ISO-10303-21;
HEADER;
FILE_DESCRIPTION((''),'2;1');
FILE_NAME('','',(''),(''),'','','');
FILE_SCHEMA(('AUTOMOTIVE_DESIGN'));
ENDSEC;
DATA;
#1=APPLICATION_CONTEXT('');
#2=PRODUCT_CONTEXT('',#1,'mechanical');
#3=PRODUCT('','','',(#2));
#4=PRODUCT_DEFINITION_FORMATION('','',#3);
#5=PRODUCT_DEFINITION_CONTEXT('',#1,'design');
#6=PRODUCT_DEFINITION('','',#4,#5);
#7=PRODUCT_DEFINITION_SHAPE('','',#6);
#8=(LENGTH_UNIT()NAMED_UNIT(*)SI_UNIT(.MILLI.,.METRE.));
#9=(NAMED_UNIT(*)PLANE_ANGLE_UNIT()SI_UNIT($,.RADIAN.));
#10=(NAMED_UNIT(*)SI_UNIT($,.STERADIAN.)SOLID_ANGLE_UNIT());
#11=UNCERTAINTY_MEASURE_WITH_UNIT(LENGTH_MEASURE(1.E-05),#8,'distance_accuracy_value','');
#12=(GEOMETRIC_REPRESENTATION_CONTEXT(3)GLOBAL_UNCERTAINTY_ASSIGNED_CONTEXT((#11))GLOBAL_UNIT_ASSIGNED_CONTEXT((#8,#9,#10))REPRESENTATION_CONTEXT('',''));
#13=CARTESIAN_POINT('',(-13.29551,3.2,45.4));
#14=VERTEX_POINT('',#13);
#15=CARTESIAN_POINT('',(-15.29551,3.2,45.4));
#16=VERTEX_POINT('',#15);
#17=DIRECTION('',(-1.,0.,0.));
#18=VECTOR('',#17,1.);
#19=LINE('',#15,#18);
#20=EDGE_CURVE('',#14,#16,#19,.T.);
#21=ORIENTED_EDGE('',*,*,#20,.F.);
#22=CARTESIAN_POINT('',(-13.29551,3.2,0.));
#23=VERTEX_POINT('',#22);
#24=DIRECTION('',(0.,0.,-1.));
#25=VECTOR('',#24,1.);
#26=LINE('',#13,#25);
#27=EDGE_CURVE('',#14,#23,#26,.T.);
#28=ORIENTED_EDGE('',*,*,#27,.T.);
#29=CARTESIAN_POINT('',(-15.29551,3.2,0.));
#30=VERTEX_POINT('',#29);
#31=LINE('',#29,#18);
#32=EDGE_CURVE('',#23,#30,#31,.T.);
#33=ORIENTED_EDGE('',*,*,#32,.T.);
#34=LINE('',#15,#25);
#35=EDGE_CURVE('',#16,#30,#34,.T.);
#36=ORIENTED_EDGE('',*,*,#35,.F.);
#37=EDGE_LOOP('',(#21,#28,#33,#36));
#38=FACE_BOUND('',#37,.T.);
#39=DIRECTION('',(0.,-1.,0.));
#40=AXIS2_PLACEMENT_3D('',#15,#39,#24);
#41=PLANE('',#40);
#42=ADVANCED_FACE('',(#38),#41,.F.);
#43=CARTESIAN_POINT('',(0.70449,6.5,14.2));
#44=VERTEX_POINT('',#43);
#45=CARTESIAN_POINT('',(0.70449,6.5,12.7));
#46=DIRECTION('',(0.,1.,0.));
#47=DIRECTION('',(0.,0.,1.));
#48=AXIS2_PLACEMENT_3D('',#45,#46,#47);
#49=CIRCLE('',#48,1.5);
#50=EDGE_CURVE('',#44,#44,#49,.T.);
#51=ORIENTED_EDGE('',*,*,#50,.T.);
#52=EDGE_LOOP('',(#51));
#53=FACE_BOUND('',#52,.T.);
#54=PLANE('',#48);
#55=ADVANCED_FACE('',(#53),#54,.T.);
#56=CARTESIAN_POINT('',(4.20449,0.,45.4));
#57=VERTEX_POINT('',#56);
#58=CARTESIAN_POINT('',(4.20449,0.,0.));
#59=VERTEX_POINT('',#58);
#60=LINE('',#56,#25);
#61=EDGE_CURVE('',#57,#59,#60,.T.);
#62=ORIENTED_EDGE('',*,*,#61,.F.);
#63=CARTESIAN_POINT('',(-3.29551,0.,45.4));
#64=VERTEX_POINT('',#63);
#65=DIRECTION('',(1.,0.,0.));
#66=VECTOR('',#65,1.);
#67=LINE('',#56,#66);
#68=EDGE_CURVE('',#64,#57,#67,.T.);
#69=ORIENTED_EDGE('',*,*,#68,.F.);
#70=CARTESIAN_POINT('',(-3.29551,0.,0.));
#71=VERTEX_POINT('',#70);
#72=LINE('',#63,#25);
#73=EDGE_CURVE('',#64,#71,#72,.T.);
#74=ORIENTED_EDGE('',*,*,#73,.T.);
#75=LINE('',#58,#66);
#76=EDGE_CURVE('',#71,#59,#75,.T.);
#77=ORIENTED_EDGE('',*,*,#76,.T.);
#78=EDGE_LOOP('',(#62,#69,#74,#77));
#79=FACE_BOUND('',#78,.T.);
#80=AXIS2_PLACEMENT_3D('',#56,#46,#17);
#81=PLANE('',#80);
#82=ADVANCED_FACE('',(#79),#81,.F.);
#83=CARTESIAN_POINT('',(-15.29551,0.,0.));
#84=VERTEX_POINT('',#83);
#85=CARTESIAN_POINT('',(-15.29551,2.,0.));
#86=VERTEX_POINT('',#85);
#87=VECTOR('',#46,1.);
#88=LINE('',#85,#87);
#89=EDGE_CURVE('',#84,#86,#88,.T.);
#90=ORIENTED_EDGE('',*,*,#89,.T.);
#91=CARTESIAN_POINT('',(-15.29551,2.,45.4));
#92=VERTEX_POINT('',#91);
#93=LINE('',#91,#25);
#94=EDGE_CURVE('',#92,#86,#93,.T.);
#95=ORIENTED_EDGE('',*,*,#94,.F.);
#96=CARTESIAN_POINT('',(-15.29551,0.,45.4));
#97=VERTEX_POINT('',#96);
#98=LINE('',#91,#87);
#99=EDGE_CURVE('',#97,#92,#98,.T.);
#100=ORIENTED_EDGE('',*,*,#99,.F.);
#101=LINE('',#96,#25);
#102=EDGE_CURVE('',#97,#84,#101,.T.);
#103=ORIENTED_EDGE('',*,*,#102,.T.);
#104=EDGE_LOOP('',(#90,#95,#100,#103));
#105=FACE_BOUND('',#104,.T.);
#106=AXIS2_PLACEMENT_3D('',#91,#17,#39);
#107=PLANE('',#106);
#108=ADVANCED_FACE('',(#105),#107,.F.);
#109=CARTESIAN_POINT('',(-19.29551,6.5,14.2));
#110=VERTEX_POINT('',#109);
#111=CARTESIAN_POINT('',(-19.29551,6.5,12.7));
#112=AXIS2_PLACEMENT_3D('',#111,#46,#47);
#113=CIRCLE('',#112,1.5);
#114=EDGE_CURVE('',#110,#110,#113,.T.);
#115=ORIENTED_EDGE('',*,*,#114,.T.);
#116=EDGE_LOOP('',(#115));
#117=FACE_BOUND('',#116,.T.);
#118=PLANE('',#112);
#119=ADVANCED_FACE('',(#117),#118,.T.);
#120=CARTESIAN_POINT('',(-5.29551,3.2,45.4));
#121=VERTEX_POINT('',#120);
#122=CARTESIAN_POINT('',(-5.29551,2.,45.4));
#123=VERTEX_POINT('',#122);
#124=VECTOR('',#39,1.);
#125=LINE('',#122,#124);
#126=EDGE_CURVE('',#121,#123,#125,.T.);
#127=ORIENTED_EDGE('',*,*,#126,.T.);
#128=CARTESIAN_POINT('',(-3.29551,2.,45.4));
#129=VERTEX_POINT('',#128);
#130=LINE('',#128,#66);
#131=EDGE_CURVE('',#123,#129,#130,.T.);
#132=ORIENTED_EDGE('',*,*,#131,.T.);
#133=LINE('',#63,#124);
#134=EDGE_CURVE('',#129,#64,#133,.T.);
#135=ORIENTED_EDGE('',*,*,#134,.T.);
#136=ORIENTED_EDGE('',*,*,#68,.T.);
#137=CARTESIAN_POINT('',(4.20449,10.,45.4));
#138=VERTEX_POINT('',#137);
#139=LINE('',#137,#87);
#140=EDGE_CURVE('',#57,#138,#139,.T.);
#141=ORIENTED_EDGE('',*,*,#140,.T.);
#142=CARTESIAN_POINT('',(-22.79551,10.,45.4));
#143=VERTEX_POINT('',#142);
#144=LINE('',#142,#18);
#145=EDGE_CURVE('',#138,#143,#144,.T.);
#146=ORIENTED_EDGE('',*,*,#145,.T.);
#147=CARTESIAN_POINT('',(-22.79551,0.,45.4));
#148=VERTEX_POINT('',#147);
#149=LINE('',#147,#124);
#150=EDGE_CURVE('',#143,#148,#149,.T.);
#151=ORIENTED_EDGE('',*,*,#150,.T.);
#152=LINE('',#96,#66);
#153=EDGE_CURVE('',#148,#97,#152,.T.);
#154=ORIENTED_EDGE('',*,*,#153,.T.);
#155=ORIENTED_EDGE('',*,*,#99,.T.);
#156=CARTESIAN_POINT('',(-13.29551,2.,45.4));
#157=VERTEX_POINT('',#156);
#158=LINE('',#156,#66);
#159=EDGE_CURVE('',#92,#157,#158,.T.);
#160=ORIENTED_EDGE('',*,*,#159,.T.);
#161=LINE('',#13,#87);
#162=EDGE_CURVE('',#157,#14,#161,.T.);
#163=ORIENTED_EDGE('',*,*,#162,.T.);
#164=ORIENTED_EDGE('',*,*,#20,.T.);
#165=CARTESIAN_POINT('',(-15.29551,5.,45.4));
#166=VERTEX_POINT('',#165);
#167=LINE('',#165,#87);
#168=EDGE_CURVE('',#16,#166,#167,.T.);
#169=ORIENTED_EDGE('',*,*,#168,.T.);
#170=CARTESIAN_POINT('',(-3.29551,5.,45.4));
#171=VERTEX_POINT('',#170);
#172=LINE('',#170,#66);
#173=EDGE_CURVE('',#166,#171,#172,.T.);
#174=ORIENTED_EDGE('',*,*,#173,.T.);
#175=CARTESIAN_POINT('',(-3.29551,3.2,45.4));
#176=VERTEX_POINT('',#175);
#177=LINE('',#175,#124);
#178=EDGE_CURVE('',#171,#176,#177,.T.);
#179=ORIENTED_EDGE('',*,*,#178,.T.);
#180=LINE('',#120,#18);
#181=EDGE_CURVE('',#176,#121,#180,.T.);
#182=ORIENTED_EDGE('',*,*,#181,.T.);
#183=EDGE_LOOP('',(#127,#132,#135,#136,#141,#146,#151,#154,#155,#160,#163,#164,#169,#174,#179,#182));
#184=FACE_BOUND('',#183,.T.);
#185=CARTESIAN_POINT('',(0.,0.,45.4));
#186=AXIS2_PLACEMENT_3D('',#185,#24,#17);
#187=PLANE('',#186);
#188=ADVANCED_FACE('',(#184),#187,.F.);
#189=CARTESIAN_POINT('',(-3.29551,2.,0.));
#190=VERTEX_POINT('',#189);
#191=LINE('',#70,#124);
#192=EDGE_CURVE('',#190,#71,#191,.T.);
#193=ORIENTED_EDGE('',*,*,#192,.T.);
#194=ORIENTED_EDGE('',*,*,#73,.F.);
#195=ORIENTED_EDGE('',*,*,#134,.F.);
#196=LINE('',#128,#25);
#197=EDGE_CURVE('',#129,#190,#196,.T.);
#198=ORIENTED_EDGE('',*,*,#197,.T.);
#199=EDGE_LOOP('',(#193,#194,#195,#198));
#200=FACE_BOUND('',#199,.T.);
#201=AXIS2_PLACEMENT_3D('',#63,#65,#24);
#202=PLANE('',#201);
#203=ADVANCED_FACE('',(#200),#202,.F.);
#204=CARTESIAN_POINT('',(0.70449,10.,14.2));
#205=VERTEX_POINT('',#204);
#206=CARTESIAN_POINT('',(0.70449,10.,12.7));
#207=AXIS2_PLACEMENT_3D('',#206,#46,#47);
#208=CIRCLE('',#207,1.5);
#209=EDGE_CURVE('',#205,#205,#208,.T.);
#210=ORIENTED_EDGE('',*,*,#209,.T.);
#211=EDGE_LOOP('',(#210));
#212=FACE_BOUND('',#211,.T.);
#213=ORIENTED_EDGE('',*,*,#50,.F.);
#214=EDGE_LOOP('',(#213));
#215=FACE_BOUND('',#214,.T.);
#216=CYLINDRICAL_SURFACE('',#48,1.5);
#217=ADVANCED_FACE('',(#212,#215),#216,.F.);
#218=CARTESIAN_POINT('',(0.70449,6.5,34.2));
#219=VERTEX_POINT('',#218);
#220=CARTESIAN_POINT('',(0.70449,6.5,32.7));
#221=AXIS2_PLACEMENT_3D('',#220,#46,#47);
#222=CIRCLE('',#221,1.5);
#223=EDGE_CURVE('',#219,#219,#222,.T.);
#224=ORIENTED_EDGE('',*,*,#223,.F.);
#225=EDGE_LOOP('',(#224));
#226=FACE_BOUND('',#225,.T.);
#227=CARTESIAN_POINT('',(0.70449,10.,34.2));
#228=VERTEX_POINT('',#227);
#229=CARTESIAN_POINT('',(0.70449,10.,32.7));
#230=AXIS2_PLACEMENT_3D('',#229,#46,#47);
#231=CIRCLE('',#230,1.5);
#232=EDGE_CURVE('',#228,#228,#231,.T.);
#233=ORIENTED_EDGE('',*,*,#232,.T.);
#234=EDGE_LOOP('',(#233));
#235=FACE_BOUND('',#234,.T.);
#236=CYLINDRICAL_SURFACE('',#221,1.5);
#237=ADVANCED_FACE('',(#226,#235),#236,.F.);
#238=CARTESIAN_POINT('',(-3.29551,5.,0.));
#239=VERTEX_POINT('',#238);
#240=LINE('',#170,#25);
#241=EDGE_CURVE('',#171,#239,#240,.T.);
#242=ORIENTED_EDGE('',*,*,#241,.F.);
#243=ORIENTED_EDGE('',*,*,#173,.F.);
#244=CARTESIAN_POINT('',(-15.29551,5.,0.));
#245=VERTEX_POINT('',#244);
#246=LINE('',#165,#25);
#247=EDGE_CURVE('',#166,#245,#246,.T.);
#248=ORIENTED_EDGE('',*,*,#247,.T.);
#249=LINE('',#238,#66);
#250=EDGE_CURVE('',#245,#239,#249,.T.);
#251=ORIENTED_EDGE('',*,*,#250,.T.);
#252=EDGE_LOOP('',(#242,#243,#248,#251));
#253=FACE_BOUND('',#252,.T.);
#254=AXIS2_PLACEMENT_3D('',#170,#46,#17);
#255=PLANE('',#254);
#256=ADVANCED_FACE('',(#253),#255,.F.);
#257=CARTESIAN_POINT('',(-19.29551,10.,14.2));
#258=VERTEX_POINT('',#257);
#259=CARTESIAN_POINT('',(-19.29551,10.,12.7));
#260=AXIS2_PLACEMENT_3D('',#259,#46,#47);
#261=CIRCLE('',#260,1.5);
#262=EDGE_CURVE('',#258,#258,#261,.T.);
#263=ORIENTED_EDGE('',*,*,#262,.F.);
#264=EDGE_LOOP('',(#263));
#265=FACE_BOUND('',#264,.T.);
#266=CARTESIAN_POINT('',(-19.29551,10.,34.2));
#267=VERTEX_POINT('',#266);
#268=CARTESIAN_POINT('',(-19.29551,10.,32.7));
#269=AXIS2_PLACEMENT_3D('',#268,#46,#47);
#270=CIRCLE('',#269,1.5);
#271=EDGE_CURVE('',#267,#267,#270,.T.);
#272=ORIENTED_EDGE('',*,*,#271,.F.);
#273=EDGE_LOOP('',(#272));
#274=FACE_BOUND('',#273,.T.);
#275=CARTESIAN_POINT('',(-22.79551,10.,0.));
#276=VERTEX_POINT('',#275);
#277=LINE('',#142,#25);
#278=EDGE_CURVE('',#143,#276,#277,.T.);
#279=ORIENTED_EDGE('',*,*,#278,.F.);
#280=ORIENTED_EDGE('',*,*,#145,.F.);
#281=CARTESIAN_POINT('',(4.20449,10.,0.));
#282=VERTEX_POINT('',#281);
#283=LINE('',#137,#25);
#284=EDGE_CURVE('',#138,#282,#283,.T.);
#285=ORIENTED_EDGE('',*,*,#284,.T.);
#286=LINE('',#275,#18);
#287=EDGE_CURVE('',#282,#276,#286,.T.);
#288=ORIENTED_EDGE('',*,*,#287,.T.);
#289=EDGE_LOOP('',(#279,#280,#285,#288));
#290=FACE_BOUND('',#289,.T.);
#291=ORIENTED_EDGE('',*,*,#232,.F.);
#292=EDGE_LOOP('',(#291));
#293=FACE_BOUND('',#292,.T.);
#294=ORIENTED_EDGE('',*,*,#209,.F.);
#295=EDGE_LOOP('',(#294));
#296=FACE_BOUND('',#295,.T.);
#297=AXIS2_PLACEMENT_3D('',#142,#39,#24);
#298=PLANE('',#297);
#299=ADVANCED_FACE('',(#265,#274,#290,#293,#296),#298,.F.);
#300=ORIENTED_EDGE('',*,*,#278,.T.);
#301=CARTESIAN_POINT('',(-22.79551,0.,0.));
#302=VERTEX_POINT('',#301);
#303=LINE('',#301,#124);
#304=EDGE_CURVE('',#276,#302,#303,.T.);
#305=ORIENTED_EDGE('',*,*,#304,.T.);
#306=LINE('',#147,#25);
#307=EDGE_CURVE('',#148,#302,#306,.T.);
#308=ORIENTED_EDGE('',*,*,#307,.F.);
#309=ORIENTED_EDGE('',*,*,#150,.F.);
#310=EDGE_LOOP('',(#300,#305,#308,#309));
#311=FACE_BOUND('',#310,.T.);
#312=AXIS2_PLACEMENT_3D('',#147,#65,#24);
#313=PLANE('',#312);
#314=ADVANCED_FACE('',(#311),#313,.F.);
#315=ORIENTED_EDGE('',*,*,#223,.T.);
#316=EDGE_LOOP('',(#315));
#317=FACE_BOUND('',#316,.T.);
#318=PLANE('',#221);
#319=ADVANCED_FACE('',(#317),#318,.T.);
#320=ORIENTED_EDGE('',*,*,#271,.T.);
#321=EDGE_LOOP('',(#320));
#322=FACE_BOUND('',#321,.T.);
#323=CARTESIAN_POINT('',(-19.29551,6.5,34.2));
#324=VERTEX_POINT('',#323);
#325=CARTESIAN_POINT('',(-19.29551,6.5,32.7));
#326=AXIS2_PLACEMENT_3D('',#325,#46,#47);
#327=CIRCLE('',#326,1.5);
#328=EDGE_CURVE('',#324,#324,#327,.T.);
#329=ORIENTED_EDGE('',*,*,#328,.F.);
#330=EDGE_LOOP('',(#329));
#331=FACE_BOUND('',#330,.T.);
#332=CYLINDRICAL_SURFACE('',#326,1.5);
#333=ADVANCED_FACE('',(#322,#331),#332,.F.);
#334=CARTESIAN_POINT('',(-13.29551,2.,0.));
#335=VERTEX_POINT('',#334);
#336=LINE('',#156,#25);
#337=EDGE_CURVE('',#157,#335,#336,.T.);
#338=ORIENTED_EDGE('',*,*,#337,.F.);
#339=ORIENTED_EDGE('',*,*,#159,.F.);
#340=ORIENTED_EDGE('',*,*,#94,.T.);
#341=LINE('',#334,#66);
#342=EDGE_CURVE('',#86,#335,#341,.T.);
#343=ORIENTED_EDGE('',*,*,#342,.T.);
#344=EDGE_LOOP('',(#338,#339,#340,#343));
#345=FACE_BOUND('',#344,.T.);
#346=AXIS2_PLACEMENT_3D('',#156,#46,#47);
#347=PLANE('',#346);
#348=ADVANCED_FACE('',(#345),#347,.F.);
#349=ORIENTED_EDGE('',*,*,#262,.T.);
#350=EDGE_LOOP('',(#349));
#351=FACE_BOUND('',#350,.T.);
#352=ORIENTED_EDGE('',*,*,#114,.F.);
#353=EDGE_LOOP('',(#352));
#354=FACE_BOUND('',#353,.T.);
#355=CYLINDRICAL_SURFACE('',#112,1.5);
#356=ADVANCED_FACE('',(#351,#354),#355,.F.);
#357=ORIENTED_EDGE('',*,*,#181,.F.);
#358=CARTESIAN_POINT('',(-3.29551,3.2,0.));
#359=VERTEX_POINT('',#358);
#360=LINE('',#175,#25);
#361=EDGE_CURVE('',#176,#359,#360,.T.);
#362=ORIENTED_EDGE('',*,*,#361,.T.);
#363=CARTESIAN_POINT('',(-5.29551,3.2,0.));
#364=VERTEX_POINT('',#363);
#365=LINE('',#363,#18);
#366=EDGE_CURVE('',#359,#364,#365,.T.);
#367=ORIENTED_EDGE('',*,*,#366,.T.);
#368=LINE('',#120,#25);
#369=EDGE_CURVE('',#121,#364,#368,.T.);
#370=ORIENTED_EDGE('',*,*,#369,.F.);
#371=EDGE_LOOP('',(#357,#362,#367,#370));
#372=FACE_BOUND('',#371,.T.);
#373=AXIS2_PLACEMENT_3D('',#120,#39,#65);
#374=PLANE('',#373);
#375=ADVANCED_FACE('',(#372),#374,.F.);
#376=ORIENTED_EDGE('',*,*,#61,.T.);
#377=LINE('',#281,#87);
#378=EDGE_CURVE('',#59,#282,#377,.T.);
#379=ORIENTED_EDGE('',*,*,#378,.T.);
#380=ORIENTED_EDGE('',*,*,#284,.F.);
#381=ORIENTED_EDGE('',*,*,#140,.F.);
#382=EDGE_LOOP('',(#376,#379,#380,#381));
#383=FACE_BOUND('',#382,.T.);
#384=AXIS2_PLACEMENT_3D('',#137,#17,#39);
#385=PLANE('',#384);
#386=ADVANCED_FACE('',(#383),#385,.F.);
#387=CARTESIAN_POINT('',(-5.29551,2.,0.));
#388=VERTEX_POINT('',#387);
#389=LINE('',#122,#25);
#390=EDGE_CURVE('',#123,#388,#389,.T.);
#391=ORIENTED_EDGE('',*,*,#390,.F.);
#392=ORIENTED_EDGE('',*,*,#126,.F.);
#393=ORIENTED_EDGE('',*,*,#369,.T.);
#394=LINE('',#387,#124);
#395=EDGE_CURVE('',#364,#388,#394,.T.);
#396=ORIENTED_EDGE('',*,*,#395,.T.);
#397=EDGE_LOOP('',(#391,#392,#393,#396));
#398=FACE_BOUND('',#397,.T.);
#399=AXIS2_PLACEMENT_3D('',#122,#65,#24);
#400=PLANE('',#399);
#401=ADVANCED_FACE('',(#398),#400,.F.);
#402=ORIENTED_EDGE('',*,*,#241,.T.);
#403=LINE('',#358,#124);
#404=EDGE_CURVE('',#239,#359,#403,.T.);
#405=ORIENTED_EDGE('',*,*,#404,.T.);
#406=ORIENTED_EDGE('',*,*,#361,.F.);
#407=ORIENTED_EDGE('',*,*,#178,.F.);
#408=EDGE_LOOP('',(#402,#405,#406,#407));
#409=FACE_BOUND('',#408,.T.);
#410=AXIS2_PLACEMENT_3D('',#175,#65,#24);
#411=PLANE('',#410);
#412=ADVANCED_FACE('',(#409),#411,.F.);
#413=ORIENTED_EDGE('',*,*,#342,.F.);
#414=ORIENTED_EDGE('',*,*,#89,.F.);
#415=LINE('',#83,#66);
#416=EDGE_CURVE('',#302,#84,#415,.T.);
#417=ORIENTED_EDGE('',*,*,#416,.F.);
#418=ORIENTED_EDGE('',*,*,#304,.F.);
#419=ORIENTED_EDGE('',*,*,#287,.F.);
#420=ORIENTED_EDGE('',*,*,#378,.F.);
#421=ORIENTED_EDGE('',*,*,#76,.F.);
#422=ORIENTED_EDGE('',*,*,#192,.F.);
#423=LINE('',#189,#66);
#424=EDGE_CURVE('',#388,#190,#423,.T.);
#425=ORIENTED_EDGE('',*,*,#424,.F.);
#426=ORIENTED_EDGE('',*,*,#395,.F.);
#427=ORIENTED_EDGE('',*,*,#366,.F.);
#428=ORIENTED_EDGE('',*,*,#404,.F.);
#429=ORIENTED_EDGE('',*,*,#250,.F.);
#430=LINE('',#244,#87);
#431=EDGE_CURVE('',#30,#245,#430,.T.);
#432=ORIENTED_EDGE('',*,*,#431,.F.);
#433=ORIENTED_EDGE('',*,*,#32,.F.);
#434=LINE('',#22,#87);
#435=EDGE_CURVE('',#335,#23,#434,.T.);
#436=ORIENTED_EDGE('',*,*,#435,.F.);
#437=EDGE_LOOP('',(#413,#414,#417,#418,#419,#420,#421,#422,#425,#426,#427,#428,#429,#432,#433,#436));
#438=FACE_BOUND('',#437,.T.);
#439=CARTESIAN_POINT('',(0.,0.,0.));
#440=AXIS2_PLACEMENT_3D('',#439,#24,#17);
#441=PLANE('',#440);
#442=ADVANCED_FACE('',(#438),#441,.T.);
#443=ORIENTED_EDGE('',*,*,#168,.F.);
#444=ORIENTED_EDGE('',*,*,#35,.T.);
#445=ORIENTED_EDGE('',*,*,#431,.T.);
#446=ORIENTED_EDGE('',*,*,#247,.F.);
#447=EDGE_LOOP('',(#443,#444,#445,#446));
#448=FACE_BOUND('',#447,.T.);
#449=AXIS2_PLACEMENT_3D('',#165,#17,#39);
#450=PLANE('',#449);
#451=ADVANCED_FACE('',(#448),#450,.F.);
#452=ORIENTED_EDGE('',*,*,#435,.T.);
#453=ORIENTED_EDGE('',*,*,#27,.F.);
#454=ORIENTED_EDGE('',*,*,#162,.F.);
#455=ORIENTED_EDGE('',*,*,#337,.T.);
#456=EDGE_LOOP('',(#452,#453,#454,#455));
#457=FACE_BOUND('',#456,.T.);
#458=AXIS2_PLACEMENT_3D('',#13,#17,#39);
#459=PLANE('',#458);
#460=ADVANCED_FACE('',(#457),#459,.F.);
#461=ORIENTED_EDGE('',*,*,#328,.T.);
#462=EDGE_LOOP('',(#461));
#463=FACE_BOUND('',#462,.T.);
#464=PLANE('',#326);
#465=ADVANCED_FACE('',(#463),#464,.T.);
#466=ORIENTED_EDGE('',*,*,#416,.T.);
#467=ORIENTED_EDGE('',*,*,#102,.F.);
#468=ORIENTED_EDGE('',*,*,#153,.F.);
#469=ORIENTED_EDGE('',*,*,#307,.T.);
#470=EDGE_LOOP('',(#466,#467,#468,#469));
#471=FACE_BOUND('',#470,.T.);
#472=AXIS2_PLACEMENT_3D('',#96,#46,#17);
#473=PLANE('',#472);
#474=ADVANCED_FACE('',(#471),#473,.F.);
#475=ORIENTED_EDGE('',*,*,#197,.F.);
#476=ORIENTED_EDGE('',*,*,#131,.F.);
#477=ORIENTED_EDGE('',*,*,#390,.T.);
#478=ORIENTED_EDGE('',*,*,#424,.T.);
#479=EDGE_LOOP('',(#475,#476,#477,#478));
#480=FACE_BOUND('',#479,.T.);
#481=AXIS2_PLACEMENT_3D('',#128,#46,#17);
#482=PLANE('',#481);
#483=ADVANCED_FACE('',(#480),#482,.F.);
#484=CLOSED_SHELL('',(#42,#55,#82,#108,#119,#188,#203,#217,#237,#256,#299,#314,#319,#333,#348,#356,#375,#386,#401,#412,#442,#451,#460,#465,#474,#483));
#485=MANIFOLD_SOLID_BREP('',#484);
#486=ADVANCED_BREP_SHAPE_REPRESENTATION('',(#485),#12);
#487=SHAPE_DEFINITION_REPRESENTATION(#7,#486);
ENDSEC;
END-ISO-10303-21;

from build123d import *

# Parameters (mm, degrees)
BOSS_EXTRU_1_DEPTH      = 45.4
ESQUISSE2_R             = 1.5
ENL_V_MAT_EXTRU_1_DEPTH = 3.5


with BuildPart() as part:
    # Esquisse1 → Boss.-Extru.1 (new body)
    with BuildSketch(Plane.XY):
        Polygon((-22.795509579, 10), (4.204490421, 10), (4.204490421, 0), (-3.295509579, 0), (-3.295509579, 2), (-5.295509579, 2), (-5.295509579, 3.2), (-3.295509579, 3.2), (-3.295509579, 5), (-15.295509579, 5), (-15.295509579, 3.2), (-13.295509579, 3.2), (-13.295509579, 2), (-15.295509579, 2), (-15.295509579, 0), (-22.795509579, 0), align=None)
    extrude(amount=BOSS_EXTRU_1_DEPTH)

    # Esquisse2 → Enlèv. mat.-Extru.1 (cut)
    with BuildSketch(Plane(origin=(0, 10, 0), x_dir=(1, 0, 0), z_dir=(0, 1, 0))):
        with Locations(Location((-19.295509579, -32.7, 0), (0, 0, 270))):
            Circle(ESQUISSE2_R)
        with Locations(Location((-19.295509579, -12.7, 0), (0, 0, 270))):
            Circle(ESQUISSE2_R)
        with Locations(Location((0.704490421, -12.7, 0), (0, 0, 270))):
            Circle(ESQUISSE2_R)
        with Locations(Location((0.704490421, -32.7, 0), (0, 0, 270))):
            Circle(ESQUISSE2_R)
    extrude(amount=-ENL_V_MAT_EXTRU_1_DEPTH, mode=Mode.SUBTRACT)


solid = part.part
